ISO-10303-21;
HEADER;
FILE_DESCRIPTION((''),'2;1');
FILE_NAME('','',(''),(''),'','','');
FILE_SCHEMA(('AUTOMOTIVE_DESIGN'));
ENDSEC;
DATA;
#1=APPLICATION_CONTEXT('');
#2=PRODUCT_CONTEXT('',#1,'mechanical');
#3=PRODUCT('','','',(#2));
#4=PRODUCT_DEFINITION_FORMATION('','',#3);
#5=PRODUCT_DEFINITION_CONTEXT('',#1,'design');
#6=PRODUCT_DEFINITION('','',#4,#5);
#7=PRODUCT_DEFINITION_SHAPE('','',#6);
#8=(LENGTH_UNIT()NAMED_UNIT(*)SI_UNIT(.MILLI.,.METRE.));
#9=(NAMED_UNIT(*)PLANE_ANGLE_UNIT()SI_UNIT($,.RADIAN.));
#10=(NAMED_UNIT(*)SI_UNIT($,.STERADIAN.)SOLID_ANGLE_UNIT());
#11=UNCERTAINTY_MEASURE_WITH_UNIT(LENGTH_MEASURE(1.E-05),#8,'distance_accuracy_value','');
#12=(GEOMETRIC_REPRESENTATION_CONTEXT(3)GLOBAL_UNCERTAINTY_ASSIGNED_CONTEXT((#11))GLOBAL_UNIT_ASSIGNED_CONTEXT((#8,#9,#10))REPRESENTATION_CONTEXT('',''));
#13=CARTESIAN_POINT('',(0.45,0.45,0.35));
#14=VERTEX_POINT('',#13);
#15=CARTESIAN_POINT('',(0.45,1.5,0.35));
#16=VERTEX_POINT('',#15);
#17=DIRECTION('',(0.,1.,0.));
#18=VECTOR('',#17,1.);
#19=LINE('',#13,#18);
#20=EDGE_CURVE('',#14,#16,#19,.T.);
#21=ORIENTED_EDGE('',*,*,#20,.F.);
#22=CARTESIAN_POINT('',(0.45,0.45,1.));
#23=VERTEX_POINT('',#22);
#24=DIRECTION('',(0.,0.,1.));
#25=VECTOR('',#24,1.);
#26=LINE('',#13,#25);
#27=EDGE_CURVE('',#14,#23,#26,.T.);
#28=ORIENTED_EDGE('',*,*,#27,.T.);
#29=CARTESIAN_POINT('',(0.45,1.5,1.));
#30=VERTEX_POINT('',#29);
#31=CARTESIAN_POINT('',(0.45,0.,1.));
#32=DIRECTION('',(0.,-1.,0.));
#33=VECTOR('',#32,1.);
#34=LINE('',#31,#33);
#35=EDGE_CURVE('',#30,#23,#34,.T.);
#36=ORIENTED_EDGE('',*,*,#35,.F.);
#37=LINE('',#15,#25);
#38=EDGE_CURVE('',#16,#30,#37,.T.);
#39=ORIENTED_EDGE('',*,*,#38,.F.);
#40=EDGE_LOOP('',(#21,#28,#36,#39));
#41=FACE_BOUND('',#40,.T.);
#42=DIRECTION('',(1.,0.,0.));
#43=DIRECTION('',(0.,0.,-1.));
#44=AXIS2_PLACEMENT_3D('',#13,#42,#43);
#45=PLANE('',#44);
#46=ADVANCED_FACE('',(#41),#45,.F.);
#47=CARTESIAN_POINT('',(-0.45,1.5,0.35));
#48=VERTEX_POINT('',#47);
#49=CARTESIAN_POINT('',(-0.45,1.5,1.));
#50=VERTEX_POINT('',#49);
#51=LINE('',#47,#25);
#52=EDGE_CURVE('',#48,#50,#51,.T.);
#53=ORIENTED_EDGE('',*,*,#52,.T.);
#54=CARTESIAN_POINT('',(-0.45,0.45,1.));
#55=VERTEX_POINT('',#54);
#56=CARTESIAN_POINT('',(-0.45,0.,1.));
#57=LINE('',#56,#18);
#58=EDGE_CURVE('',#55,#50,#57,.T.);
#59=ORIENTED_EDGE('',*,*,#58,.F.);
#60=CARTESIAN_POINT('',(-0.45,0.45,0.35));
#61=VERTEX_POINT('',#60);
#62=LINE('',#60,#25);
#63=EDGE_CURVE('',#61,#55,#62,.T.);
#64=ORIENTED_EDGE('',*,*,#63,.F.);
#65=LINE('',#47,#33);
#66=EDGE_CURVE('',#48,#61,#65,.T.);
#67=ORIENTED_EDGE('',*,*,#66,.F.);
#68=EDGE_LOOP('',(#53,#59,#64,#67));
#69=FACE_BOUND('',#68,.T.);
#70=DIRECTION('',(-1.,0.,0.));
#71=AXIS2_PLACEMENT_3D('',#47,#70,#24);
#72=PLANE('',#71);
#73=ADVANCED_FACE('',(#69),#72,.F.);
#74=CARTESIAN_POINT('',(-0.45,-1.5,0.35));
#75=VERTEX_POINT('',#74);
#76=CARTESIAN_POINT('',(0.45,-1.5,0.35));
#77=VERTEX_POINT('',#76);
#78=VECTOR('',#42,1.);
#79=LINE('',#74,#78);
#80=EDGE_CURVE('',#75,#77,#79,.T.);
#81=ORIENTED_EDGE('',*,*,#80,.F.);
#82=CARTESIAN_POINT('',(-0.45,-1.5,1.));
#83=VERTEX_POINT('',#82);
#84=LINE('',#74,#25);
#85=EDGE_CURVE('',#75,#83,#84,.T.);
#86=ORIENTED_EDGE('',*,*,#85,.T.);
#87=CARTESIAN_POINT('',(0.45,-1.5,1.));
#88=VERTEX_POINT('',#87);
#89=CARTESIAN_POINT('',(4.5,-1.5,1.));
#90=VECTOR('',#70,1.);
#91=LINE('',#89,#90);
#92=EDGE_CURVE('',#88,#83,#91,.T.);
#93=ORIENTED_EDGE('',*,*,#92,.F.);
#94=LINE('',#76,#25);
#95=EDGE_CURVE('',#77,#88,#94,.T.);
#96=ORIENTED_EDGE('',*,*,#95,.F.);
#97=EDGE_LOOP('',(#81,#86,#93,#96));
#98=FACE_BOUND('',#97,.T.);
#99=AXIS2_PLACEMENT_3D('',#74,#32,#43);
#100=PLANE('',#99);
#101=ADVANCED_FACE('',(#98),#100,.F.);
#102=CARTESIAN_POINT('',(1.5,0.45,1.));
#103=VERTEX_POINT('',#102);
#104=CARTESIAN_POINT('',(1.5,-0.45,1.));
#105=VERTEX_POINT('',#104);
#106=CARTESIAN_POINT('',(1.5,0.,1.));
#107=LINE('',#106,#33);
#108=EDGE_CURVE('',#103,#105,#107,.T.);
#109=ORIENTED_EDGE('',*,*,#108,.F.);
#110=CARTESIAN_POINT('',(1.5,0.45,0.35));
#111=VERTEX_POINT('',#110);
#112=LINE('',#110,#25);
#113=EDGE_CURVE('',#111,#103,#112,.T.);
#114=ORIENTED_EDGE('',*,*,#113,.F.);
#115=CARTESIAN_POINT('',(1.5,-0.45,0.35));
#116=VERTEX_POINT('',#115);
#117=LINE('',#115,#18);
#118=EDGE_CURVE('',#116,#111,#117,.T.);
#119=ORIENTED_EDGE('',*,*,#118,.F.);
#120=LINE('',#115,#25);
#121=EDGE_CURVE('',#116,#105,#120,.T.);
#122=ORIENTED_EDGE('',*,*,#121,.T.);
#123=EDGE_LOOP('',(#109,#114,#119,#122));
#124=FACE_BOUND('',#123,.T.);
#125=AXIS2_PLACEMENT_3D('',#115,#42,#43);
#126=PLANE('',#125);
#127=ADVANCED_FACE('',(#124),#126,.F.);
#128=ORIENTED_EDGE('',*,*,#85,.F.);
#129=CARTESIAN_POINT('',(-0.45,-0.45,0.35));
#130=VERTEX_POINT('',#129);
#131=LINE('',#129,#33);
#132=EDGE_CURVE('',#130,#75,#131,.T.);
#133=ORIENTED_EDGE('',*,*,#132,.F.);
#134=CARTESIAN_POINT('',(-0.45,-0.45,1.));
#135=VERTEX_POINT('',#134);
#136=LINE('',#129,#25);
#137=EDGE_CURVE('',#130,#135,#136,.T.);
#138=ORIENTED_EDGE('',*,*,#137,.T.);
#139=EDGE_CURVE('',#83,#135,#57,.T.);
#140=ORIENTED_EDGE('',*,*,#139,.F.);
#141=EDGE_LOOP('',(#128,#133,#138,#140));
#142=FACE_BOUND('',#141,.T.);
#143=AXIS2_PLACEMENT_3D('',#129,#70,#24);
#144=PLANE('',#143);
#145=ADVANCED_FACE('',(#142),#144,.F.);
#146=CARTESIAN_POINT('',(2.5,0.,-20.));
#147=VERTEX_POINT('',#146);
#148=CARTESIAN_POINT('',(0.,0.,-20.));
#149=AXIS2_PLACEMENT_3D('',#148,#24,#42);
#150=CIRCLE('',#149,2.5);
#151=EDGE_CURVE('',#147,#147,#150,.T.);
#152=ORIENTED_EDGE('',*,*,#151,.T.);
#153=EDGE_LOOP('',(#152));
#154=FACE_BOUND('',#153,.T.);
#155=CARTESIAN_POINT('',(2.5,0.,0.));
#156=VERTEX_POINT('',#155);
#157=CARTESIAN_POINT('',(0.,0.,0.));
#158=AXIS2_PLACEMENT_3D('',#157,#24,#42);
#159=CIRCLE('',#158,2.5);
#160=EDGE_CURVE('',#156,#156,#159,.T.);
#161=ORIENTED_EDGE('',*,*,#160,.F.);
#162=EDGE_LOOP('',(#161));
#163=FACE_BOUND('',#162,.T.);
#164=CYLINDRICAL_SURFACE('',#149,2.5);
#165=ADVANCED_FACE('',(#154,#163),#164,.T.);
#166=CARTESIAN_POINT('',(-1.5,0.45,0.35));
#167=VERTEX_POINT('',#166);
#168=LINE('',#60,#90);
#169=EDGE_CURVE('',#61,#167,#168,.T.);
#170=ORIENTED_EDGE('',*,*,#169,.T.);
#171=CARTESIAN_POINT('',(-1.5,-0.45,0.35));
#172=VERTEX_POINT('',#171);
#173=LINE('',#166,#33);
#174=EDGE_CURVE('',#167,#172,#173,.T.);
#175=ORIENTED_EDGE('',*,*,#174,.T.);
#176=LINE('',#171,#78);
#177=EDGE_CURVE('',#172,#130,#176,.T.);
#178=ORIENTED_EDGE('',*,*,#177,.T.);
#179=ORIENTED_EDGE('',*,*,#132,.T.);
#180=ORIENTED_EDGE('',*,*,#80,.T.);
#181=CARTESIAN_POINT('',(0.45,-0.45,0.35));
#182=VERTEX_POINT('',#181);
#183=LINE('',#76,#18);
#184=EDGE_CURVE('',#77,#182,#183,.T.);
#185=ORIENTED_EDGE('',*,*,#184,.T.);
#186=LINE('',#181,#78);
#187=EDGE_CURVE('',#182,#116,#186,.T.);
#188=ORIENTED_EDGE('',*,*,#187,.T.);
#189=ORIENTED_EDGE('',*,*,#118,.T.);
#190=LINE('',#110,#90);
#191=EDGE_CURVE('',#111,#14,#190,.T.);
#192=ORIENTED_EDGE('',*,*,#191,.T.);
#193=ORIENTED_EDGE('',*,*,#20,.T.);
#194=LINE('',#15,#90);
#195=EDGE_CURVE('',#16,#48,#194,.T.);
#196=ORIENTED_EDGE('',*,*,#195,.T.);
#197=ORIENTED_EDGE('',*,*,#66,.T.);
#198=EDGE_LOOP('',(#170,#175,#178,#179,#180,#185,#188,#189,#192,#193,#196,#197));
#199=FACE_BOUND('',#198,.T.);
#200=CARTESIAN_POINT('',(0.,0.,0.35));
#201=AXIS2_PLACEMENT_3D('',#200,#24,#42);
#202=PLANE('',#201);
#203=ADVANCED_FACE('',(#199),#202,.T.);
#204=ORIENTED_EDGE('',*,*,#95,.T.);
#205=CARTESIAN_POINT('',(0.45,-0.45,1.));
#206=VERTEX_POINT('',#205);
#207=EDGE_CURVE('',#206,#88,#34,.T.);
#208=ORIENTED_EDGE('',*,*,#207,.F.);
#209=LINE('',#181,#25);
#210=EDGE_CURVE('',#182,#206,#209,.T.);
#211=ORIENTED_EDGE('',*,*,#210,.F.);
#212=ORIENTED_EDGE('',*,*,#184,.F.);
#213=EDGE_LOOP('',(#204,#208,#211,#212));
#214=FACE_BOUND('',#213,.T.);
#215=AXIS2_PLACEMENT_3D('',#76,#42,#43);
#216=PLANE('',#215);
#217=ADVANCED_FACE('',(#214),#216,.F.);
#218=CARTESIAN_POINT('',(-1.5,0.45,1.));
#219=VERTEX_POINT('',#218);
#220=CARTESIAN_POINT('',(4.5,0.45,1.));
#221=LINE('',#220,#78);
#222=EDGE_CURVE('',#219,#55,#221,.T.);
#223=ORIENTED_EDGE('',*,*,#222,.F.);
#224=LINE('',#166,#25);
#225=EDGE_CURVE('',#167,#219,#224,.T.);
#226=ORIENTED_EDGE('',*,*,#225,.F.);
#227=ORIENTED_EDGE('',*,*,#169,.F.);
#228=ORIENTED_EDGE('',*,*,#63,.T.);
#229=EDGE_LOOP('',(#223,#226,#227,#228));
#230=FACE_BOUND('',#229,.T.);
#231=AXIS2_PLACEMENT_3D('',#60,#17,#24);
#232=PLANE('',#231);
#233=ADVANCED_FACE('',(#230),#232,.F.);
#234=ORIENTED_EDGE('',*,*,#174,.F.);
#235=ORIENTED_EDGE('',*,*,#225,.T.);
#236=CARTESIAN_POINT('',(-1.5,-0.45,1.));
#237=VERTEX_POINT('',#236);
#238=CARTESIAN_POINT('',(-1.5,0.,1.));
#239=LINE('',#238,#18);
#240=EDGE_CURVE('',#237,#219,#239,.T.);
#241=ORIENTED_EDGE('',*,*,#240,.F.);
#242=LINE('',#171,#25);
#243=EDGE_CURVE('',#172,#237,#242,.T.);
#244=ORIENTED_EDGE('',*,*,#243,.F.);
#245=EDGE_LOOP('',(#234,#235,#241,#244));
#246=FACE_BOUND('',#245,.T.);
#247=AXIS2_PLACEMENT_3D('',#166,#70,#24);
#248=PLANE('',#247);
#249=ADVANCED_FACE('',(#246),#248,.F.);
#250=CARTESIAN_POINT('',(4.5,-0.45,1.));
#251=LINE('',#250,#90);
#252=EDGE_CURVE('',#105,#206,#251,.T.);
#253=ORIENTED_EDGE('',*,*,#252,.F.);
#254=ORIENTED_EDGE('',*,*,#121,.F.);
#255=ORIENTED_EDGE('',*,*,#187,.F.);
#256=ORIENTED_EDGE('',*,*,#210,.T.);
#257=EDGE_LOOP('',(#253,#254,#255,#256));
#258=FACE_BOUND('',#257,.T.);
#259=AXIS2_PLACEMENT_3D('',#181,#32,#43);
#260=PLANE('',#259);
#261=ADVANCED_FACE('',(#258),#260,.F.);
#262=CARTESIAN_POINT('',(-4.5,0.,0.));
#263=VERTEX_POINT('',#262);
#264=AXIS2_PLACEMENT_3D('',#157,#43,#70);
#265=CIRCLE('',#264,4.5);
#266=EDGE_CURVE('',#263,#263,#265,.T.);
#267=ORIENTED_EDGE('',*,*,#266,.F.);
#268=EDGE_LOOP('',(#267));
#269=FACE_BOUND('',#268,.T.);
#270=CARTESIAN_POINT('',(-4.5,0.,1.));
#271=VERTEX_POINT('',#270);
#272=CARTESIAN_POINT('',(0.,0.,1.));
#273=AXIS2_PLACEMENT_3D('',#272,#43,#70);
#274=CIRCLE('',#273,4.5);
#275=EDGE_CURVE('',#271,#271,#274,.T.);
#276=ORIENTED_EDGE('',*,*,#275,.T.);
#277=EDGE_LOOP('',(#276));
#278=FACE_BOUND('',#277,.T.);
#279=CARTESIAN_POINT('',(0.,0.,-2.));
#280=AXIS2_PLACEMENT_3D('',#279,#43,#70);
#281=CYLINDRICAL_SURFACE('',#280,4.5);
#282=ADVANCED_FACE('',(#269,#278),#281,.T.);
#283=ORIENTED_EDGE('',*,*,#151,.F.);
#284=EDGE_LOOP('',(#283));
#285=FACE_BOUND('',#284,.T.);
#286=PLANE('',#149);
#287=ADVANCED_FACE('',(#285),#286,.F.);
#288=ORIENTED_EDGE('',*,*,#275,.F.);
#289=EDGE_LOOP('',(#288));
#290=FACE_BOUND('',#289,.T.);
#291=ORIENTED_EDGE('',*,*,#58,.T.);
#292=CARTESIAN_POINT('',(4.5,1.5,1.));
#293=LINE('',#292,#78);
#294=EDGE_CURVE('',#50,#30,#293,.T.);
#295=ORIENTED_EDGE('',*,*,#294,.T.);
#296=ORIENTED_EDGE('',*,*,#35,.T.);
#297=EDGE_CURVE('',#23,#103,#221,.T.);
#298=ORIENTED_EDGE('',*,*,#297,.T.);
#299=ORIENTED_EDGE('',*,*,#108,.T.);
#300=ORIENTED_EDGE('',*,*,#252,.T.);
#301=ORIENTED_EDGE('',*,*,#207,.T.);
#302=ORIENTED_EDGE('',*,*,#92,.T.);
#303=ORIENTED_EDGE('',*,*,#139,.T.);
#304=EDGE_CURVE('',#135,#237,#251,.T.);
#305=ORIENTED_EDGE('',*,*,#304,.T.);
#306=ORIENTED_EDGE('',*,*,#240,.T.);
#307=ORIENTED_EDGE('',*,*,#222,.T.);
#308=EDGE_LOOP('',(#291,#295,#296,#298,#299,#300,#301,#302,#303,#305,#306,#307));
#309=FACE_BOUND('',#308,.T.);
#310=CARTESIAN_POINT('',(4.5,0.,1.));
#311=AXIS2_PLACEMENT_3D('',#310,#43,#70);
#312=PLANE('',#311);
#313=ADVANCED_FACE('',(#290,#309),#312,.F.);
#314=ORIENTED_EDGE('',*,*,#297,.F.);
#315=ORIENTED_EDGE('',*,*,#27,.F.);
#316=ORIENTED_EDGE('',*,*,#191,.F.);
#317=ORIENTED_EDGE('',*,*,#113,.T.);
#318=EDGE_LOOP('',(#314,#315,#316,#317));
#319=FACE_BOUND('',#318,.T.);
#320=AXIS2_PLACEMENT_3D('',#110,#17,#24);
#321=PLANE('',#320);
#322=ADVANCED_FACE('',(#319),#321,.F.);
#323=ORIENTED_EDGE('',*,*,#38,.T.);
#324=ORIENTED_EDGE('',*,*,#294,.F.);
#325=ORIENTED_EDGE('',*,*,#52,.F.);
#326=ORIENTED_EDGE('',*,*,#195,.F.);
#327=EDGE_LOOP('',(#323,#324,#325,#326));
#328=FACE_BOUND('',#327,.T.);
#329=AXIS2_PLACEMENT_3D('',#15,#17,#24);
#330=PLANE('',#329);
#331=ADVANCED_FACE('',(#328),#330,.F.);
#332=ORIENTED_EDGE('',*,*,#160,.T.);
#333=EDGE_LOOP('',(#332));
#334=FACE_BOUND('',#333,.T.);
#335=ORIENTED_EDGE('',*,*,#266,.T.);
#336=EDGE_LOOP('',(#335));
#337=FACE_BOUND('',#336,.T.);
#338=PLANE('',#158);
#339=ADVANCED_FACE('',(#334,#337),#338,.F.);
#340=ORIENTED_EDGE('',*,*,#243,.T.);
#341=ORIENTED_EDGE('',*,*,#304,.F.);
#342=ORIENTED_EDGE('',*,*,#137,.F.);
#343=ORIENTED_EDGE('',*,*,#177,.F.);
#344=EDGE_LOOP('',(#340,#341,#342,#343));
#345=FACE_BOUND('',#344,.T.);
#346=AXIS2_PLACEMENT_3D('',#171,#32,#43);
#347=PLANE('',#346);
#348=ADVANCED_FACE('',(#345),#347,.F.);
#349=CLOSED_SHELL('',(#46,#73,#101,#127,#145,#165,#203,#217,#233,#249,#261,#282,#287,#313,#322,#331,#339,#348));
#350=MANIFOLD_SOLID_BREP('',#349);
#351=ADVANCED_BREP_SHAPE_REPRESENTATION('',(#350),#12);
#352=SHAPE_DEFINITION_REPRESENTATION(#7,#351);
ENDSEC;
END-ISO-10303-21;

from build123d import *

# Parameters (mm, degrees)
SKETCH_1_R        = 2.5
EXTRUDE_198_DEPTH = 20
SKETCH_6_W        = 4.5
SKETCH_6_H        = 1
PH2_START         = 1.01
PH2_DEPTH         = 0.66


with BuildPart() as part:
    # 草图1 → Extrude 198 (new body)
    with BuildSketch(Plane.XY):
        Circle(SKETCH_1_R)
    extrude(amount=-EXTRUDE_198_DEPTH)

    # 草图6 → Revolve 324 (revolve)
    with BuildSketch(Plane(origin=(0, 0, 0), x_dir=(1, 0, 0), z_dir=(0, 1, 0)), mode=Mode.PRIVATE) as revolve_324_sk:
        with Locations((2.25, -0.5)):
            Rectangle(SKETCH_6_W, SKETCH_6_H)
    revolve(revolve_324_sk.sketch.rotate(Axis((0, 0, -2), (0, 0, 1)), 180), axis=Axis((0, 0, -2), (0, 0, 1)))

    # 草图7 → 十字槽_PH2_简化 (cut)
    with BuildSketch(Plane.XY.offset(PH2_START)):
        Polygon((-0.45, -1.5), (0.45, -1.5), (0.45, -0.45), (1.5, -0.45), (1.5, 0.45), (0.45, 0.45), (0.45, 1.5), (-0.45, 1.5), (-0.45, 0.45), (-1.5, 0.45), (-1.5, -0.45), (-0.45, -0.45), align=None)
    extrude(amount=-PH2_DEPTH, mode=Mode.SUBTRACT)


solid = part.part
